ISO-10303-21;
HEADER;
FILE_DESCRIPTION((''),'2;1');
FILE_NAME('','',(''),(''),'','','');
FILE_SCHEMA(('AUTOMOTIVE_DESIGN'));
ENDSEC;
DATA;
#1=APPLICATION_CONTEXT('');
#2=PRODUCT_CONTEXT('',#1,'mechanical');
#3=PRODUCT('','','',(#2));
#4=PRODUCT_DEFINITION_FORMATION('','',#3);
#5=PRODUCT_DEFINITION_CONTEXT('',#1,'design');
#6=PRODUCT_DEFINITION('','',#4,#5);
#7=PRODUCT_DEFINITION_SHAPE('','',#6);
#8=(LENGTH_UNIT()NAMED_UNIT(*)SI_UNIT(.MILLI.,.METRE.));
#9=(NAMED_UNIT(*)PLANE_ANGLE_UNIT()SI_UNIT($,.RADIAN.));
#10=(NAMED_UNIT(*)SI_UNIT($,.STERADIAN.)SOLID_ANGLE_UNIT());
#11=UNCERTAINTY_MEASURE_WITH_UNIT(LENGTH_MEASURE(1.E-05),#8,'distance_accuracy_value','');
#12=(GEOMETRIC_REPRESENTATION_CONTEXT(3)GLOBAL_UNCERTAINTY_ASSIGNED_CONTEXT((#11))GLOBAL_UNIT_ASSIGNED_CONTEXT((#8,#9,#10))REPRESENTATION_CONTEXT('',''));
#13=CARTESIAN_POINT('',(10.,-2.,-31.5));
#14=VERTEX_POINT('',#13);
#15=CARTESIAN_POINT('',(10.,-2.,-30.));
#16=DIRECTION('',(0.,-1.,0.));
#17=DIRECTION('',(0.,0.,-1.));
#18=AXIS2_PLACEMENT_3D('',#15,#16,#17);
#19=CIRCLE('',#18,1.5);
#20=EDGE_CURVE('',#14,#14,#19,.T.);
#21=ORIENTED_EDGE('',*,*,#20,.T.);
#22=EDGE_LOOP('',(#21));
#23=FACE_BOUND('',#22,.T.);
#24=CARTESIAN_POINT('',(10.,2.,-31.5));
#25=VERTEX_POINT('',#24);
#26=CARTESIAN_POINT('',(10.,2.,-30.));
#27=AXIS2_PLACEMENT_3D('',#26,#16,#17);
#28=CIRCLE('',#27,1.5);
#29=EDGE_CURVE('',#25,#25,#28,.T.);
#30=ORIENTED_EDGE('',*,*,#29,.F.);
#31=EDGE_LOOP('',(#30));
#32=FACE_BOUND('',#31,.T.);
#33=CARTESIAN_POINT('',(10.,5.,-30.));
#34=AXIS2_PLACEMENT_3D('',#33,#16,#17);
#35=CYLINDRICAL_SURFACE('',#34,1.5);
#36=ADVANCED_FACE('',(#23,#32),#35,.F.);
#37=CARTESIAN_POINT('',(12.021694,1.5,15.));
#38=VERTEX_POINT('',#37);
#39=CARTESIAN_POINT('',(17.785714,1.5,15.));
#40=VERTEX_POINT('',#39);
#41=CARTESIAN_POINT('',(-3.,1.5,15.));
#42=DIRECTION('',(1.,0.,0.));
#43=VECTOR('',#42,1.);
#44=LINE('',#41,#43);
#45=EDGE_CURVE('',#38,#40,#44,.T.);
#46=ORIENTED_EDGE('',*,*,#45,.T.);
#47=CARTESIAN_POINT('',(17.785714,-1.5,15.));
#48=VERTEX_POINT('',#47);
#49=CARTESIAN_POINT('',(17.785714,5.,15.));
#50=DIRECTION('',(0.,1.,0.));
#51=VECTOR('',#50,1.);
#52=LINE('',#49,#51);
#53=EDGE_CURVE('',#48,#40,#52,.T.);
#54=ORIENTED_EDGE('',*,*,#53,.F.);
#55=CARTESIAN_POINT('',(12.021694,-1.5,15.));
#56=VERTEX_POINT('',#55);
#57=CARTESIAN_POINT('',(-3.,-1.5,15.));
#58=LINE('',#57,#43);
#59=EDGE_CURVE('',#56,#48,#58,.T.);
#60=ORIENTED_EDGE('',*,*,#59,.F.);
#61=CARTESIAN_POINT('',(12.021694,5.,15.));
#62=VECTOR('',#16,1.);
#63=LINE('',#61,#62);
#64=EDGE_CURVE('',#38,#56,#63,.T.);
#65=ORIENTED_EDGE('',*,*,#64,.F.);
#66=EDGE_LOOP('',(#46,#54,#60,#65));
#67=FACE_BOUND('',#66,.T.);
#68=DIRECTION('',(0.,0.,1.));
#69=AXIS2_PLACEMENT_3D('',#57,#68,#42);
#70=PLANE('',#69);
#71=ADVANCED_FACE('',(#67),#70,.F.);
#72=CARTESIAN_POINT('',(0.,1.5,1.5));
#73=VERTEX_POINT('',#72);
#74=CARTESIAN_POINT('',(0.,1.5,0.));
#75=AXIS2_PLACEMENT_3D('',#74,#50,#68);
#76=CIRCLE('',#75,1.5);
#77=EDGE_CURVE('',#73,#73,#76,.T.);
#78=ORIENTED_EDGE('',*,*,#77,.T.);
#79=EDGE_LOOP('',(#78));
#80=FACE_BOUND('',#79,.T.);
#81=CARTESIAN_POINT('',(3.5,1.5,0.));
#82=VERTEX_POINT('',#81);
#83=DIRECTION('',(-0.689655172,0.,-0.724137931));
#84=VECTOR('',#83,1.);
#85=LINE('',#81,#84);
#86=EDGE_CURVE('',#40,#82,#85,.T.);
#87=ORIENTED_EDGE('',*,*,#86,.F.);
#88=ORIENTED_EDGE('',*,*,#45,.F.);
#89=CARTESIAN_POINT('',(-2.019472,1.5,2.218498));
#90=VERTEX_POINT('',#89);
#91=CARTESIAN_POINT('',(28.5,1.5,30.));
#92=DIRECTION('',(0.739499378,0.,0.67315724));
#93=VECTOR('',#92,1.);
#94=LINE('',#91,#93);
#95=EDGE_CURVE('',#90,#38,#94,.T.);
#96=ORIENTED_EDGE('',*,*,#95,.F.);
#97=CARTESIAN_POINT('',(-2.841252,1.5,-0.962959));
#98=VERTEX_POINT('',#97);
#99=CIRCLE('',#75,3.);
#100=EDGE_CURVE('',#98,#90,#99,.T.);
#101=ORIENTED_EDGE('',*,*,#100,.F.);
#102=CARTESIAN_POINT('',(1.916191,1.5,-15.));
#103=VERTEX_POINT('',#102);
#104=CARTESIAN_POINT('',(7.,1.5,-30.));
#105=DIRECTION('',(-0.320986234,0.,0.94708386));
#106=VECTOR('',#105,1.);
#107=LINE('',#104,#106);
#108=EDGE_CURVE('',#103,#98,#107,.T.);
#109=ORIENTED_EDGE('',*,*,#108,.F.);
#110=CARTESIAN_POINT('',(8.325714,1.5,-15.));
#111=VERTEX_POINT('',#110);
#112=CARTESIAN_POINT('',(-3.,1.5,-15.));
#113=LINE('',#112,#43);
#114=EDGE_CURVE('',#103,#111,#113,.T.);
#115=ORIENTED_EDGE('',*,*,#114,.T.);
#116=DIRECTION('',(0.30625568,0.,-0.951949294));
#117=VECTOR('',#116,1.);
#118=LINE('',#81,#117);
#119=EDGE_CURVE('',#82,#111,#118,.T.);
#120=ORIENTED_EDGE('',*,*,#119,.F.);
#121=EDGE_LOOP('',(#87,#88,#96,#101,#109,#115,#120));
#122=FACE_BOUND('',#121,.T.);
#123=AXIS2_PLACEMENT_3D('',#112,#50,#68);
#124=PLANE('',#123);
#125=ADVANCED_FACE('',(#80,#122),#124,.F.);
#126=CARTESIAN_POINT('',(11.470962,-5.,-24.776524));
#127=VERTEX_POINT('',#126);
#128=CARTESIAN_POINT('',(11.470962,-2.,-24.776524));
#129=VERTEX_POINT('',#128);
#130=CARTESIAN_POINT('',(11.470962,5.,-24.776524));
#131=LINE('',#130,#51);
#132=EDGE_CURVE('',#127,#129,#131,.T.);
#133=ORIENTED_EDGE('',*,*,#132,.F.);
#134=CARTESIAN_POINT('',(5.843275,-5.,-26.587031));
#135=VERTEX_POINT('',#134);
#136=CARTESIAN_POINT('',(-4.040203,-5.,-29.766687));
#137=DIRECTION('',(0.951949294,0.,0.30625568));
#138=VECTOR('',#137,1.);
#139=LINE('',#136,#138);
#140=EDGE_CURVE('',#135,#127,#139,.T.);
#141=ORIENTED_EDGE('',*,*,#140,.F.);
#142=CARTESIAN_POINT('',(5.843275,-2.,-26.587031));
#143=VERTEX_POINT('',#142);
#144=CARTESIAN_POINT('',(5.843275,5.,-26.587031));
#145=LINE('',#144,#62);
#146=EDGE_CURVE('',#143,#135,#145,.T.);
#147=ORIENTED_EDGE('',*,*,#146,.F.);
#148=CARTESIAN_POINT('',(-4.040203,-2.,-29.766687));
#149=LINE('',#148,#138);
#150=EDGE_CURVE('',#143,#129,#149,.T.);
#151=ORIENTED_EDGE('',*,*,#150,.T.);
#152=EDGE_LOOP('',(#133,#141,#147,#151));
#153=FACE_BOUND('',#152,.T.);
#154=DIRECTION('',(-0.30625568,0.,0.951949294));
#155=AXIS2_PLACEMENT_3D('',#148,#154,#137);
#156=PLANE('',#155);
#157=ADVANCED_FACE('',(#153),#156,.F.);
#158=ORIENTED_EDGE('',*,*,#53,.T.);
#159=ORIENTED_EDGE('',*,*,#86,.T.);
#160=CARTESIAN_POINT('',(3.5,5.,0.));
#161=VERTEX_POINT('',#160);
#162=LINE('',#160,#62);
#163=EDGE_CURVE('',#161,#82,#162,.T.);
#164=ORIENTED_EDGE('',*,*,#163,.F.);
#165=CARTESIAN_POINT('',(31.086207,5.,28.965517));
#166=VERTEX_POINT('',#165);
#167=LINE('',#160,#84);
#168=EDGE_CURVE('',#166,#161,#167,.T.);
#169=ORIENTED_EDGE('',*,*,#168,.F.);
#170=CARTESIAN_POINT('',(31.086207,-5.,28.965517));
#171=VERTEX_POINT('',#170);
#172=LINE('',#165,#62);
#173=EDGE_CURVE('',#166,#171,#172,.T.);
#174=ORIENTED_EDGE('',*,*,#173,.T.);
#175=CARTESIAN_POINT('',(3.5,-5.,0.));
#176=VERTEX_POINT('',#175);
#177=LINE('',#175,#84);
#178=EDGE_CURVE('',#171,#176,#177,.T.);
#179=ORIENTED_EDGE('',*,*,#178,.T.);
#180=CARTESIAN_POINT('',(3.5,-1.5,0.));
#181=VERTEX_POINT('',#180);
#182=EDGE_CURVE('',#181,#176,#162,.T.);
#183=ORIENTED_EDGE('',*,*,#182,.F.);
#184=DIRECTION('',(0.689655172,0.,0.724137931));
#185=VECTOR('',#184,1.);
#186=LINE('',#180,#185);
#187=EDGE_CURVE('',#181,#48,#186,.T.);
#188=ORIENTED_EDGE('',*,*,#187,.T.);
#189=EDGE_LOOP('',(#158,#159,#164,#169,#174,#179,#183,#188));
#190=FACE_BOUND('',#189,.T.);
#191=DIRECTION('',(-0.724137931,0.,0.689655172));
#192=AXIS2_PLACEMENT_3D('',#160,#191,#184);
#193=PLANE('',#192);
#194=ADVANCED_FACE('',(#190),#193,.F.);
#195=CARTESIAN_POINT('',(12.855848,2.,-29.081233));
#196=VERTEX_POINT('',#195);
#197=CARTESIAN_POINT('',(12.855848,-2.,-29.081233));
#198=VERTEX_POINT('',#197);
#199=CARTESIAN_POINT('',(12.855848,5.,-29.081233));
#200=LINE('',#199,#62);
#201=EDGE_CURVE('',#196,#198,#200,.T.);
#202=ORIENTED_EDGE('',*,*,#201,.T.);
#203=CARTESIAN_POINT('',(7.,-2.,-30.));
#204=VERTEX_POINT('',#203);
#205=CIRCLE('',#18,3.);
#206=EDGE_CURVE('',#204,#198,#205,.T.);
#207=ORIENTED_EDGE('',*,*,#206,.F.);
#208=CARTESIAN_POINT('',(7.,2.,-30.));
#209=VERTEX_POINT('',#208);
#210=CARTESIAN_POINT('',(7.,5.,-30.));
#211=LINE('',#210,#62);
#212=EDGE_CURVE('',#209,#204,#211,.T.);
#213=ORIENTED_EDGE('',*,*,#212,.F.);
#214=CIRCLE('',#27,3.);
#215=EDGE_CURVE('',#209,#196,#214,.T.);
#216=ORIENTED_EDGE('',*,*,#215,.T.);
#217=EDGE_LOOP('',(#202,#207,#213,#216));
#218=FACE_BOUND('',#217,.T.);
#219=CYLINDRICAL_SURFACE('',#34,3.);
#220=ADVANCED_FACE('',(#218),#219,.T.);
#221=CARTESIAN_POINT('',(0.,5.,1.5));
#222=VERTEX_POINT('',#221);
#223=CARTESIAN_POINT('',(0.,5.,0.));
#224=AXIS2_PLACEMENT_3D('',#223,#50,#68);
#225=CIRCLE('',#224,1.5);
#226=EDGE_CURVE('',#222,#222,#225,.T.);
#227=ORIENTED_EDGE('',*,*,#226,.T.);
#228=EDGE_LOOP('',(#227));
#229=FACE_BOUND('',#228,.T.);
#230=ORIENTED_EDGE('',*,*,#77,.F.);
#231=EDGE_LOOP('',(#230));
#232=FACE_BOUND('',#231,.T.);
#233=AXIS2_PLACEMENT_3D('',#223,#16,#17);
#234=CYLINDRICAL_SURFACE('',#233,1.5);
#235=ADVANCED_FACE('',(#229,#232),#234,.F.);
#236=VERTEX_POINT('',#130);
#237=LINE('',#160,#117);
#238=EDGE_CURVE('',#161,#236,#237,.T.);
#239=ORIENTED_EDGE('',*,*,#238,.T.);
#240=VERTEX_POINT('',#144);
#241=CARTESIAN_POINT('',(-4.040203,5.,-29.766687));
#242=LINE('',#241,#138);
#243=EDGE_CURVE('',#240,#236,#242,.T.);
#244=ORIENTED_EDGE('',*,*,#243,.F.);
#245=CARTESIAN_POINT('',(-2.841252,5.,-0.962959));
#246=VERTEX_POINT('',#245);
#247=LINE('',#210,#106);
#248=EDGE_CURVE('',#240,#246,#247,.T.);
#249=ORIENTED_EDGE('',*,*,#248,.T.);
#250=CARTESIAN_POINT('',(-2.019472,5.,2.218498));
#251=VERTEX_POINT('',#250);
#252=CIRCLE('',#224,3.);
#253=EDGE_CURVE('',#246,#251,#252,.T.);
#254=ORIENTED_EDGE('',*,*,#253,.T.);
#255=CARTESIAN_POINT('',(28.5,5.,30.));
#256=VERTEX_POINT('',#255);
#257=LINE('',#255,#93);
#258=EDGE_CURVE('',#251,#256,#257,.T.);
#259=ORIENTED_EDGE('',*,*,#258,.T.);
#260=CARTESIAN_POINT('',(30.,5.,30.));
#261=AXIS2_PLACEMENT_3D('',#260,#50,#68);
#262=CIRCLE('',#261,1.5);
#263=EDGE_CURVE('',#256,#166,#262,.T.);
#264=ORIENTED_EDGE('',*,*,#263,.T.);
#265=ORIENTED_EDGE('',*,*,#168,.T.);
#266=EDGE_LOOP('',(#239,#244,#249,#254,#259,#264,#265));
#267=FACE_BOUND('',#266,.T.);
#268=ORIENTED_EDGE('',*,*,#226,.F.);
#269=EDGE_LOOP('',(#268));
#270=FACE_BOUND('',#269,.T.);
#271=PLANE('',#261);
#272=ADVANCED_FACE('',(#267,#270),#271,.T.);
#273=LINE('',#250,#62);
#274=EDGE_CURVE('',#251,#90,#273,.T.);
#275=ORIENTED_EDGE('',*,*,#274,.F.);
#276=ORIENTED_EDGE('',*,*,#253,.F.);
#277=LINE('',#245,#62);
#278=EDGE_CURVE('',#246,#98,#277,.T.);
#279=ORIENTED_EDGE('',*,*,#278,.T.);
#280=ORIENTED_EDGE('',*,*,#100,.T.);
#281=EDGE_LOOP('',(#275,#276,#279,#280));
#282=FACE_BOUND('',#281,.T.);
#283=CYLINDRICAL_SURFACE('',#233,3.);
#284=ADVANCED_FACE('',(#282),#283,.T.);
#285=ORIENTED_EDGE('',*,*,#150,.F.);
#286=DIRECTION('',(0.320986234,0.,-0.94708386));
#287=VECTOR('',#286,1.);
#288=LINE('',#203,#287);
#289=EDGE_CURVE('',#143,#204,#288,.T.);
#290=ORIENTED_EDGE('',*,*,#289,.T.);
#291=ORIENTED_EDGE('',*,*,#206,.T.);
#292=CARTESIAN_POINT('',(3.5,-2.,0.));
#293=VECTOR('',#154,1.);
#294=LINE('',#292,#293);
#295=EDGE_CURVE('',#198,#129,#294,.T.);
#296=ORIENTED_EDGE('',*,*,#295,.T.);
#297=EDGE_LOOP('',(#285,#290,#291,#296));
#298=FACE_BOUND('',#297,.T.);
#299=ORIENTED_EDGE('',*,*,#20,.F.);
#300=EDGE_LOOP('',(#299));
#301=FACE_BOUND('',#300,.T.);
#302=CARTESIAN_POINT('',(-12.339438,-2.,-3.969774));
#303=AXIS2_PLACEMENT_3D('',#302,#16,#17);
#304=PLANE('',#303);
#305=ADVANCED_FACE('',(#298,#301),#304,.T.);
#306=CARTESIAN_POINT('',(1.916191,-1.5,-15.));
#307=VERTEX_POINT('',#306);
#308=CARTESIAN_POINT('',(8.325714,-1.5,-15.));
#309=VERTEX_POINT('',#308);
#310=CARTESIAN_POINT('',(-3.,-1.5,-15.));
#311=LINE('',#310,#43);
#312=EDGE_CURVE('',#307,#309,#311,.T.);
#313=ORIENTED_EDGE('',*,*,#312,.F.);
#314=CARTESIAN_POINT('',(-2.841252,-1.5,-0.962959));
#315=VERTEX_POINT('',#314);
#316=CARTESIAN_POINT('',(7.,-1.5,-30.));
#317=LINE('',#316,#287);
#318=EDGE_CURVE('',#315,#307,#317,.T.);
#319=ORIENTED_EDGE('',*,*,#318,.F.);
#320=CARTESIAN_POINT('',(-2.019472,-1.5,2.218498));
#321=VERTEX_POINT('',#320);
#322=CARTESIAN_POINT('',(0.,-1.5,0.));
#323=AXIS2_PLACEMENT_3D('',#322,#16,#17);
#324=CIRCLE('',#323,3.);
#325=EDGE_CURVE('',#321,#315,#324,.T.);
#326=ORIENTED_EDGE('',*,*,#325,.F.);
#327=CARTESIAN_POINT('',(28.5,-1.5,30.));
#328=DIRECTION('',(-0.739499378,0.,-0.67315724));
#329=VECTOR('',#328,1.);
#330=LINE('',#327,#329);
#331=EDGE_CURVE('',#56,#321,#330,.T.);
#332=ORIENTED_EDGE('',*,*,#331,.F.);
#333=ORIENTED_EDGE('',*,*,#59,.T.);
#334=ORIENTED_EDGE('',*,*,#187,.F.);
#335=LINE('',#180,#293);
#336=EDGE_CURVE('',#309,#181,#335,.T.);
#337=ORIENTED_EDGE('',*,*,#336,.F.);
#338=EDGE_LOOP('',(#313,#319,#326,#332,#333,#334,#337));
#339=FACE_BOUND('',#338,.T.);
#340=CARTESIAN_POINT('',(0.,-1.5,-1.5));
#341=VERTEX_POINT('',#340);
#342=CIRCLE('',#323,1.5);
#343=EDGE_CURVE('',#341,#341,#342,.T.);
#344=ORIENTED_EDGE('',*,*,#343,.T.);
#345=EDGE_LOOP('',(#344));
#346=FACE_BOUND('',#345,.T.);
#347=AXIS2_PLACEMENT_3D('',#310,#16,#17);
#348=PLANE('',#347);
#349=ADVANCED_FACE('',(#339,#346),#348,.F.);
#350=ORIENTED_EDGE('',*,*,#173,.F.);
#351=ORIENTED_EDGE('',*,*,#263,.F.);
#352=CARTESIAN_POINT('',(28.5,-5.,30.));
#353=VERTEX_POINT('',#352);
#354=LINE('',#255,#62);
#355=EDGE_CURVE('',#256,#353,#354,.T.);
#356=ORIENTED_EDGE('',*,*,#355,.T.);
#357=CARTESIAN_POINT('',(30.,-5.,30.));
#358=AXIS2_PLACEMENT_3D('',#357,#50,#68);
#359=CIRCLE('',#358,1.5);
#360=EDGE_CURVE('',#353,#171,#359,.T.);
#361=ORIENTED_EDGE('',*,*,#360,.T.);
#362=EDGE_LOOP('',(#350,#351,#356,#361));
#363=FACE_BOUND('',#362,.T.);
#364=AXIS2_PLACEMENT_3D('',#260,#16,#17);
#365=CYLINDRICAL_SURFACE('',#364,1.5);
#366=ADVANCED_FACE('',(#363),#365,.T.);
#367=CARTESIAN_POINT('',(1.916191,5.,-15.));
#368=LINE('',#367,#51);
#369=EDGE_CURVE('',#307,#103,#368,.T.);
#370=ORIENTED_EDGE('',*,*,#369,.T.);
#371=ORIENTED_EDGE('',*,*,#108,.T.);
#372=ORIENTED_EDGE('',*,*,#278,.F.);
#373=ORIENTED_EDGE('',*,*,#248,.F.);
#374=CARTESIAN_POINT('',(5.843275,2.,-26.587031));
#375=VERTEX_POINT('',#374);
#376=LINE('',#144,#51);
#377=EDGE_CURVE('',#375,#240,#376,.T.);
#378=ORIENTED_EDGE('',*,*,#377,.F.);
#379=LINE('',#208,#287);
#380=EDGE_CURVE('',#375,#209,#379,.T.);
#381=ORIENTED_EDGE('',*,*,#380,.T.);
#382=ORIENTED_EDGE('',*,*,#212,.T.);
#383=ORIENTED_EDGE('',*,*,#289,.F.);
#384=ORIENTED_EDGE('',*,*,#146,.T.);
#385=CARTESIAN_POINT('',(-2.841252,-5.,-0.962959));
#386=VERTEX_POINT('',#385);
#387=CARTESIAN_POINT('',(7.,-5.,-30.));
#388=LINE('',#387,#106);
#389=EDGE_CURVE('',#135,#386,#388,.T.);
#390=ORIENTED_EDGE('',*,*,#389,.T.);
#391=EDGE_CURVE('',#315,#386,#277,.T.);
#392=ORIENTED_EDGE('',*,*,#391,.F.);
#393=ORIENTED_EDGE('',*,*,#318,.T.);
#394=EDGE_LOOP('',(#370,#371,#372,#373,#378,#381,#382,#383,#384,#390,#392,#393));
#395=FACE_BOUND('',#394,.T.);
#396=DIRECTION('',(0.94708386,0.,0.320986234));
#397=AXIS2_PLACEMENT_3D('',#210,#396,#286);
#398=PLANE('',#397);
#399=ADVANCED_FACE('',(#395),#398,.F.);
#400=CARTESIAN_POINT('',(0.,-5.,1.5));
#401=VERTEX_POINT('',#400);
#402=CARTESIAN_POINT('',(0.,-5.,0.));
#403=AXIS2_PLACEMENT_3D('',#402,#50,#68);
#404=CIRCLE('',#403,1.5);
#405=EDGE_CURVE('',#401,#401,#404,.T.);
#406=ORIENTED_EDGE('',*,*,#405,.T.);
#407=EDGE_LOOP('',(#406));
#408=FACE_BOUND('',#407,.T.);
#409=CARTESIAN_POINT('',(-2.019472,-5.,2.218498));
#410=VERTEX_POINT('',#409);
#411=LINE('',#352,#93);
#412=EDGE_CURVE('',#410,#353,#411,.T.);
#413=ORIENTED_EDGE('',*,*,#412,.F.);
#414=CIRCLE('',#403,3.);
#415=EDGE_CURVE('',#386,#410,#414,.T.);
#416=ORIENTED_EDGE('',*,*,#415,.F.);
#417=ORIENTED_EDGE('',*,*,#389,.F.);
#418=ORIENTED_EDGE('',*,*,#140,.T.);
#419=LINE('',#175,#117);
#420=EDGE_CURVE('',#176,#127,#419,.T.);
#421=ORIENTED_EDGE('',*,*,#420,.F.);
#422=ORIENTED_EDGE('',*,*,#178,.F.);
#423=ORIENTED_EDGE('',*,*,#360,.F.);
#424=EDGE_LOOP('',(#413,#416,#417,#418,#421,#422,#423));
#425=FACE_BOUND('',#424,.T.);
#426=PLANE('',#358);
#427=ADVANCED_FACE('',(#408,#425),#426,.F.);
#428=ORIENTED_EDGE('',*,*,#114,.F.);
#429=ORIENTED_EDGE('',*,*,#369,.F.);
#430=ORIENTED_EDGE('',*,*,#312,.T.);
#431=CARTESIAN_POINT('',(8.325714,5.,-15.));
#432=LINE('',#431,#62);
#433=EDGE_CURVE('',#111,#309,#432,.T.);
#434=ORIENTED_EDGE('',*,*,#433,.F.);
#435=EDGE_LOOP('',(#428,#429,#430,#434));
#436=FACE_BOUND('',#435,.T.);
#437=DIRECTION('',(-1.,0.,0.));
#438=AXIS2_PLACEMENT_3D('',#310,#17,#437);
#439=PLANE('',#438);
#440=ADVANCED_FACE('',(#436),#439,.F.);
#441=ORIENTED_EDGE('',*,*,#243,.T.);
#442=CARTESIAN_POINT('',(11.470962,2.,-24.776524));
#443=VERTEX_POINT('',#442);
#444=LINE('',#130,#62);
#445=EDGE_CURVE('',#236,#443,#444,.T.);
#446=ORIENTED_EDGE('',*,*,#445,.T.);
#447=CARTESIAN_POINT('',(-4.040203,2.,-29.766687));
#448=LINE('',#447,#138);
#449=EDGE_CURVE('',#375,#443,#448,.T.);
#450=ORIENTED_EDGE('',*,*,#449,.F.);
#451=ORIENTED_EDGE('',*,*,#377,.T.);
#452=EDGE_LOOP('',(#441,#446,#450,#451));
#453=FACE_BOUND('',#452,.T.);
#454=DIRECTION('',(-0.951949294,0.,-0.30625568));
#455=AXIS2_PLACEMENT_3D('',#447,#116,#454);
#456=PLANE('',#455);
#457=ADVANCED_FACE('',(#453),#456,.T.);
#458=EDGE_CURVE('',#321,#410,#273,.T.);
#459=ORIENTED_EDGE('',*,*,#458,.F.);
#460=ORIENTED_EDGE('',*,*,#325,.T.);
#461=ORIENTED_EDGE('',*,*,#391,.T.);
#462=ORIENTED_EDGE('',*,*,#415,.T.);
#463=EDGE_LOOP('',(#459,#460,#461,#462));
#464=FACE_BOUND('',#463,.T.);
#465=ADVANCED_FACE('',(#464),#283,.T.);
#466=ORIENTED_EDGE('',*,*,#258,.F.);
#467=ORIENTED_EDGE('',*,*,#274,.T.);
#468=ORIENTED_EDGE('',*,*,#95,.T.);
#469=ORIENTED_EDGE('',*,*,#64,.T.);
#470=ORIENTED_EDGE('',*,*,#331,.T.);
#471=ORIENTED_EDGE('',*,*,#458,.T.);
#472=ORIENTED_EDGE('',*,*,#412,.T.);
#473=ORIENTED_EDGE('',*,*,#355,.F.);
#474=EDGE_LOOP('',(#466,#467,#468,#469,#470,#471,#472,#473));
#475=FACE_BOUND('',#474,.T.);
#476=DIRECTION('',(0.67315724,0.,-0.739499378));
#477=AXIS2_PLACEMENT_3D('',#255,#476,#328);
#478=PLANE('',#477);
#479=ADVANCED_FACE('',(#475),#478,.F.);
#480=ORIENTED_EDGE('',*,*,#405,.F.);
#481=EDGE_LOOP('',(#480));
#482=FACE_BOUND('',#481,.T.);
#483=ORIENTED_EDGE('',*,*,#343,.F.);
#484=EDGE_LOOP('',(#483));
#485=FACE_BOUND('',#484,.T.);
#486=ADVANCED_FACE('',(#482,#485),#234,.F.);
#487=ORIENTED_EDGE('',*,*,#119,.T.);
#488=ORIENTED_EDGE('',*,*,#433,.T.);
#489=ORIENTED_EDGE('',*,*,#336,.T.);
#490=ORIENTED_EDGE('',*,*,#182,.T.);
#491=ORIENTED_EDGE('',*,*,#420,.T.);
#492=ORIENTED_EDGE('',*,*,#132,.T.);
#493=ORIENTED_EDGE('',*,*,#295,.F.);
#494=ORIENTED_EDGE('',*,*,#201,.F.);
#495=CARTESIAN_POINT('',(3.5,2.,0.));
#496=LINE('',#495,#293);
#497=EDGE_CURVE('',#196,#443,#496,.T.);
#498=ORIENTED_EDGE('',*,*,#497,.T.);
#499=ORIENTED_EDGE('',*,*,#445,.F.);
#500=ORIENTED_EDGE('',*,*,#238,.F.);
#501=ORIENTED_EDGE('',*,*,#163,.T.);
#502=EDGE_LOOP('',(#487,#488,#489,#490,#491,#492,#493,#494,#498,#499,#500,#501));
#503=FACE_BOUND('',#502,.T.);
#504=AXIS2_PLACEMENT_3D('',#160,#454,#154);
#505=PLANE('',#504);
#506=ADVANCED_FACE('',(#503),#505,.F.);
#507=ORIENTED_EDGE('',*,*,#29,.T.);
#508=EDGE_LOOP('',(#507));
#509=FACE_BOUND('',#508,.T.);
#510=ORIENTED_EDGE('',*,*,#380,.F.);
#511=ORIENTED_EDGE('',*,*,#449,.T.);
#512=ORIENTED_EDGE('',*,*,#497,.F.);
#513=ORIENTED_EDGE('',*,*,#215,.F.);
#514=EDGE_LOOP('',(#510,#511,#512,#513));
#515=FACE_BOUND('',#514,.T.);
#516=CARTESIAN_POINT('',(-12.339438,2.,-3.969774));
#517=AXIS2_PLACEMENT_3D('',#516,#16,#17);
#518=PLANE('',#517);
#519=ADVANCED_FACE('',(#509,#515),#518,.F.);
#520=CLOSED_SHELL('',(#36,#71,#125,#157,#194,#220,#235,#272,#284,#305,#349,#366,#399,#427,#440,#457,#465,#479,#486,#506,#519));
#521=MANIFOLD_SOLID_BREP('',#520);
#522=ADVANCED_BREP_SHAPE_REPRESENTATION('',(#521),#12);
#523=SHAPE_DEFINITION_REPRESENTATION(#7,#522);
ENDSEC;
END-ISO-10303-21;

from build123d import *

# Parameters (mm, degrees)
CROQUIS1_R                 = 1.5
SALIENTE_EXTRUIR1_DEPTH    = 5
CORTAR_EXTRUIR1_DEPTH      = 45.551969752
CORTAR_EXTRUIR1_DEPTH_BACK = 45.551969752
CROQUIS2_W                 = 7.521993914
CROQUIS2_H                 = 3
CORTAR_EXTRUIR2_DEPTH      = 46.893899377
CORTAR_EXTRUIR2_DEPTH_BACK = 46.893899377
CROQUIS3_W                 = 30
CROQUIS3_H                 = 3


with BuildPart() as part:
    # Croquis1 → Saliente-Extruir1 (new, symmetric)
    with BuildSketch(Plane(origin=(0, 0, 0), x_dir=(1, 0, 0), z_dir=(0, 1, 0))):
        with BuildLine():
            Line((28.5, -30), (-2.01947172, -2.218498134))
            ThreePointArc((-2.01947172, -2.218498134), (-2.904664292, -0.750283514), (-2.84125158, 0.962958702))
            Line((-2.84125158, 0.962958702), (7, 30))
            ThreePointArc((7, 30), (10.465003416, 32.963742874), (12.855847882, 29.081232959))
            Line((12.855847882, 29.081232959), (3.5, 0))
            Line((3.5, 0), (31.086206897, -28.965517241))
            ThreePointArc((31.086206897, -28.965517241), (30.557086015, -31.392715036), (28.5, -30))
        make_face()
        with Locations(Location((10, 30, 0), (0, 0, 270))):
            Circle(CROQUIS1_R, mode=Mode.SUBTRACT)
        with Locations(Location((0, 0, 0), (0, 0, 270))):
            Circle(CROQUIS1_R, mode=Mode.SUBTRACT)
    extrude(amount=SALIENTE_EXTRUIR1_DEPTH, both=True)

    # Croquis2 → Cortar-Extruir1 (cut, two sides: drawn at the far end of the back side and taken through both)
    with BuildSketch(Plane(origin=(3.171726104, 0, 1.020389575), x_dir=(0.3062556803556079, 0, -0.9519492939489601), z_dir=(0.9519492939489601, 0, 0.3062556803556079)).offset(-CORTAR_EXTRUIR1_DEPTH_BACK)):
        with Locations((30.860038665, -3.5)):
            Rectangle(CROQUIS2_W, CROQUIS2_H)
        with Locations((30.860038665, 3.5)):
            Rectangle(CROQUIS2_W, CROQUIS2_H)
    extrude(amount=CORTAR_EXTRUIR1_DEPTH + CORTAR_EXTRUIR1_DEPTH_BACK, mode=Mode.SUBTRACT)

    # Croquis3 → Cortar-Extruir2 (cut, two sides: drawn at the far end of the back side and taken through both)
    with BuildSketch(Plane(origin=(0, 0, 0), x_dir=(0, 0, -1), z_dir=(1, 0, 0)).offset(-CORTAR_EXTRUIR2_DEPTH_BACK)):
        Rectangle(CROQUIS3_W, CROQUIS3_H)
    extrude(amount=CORTAR_EXTRUIR2_DEPTH + CORTAR_EXTRUIR2_DEPTH_BACK, mode=Mode.SUBTRACT)


solid = part.part
